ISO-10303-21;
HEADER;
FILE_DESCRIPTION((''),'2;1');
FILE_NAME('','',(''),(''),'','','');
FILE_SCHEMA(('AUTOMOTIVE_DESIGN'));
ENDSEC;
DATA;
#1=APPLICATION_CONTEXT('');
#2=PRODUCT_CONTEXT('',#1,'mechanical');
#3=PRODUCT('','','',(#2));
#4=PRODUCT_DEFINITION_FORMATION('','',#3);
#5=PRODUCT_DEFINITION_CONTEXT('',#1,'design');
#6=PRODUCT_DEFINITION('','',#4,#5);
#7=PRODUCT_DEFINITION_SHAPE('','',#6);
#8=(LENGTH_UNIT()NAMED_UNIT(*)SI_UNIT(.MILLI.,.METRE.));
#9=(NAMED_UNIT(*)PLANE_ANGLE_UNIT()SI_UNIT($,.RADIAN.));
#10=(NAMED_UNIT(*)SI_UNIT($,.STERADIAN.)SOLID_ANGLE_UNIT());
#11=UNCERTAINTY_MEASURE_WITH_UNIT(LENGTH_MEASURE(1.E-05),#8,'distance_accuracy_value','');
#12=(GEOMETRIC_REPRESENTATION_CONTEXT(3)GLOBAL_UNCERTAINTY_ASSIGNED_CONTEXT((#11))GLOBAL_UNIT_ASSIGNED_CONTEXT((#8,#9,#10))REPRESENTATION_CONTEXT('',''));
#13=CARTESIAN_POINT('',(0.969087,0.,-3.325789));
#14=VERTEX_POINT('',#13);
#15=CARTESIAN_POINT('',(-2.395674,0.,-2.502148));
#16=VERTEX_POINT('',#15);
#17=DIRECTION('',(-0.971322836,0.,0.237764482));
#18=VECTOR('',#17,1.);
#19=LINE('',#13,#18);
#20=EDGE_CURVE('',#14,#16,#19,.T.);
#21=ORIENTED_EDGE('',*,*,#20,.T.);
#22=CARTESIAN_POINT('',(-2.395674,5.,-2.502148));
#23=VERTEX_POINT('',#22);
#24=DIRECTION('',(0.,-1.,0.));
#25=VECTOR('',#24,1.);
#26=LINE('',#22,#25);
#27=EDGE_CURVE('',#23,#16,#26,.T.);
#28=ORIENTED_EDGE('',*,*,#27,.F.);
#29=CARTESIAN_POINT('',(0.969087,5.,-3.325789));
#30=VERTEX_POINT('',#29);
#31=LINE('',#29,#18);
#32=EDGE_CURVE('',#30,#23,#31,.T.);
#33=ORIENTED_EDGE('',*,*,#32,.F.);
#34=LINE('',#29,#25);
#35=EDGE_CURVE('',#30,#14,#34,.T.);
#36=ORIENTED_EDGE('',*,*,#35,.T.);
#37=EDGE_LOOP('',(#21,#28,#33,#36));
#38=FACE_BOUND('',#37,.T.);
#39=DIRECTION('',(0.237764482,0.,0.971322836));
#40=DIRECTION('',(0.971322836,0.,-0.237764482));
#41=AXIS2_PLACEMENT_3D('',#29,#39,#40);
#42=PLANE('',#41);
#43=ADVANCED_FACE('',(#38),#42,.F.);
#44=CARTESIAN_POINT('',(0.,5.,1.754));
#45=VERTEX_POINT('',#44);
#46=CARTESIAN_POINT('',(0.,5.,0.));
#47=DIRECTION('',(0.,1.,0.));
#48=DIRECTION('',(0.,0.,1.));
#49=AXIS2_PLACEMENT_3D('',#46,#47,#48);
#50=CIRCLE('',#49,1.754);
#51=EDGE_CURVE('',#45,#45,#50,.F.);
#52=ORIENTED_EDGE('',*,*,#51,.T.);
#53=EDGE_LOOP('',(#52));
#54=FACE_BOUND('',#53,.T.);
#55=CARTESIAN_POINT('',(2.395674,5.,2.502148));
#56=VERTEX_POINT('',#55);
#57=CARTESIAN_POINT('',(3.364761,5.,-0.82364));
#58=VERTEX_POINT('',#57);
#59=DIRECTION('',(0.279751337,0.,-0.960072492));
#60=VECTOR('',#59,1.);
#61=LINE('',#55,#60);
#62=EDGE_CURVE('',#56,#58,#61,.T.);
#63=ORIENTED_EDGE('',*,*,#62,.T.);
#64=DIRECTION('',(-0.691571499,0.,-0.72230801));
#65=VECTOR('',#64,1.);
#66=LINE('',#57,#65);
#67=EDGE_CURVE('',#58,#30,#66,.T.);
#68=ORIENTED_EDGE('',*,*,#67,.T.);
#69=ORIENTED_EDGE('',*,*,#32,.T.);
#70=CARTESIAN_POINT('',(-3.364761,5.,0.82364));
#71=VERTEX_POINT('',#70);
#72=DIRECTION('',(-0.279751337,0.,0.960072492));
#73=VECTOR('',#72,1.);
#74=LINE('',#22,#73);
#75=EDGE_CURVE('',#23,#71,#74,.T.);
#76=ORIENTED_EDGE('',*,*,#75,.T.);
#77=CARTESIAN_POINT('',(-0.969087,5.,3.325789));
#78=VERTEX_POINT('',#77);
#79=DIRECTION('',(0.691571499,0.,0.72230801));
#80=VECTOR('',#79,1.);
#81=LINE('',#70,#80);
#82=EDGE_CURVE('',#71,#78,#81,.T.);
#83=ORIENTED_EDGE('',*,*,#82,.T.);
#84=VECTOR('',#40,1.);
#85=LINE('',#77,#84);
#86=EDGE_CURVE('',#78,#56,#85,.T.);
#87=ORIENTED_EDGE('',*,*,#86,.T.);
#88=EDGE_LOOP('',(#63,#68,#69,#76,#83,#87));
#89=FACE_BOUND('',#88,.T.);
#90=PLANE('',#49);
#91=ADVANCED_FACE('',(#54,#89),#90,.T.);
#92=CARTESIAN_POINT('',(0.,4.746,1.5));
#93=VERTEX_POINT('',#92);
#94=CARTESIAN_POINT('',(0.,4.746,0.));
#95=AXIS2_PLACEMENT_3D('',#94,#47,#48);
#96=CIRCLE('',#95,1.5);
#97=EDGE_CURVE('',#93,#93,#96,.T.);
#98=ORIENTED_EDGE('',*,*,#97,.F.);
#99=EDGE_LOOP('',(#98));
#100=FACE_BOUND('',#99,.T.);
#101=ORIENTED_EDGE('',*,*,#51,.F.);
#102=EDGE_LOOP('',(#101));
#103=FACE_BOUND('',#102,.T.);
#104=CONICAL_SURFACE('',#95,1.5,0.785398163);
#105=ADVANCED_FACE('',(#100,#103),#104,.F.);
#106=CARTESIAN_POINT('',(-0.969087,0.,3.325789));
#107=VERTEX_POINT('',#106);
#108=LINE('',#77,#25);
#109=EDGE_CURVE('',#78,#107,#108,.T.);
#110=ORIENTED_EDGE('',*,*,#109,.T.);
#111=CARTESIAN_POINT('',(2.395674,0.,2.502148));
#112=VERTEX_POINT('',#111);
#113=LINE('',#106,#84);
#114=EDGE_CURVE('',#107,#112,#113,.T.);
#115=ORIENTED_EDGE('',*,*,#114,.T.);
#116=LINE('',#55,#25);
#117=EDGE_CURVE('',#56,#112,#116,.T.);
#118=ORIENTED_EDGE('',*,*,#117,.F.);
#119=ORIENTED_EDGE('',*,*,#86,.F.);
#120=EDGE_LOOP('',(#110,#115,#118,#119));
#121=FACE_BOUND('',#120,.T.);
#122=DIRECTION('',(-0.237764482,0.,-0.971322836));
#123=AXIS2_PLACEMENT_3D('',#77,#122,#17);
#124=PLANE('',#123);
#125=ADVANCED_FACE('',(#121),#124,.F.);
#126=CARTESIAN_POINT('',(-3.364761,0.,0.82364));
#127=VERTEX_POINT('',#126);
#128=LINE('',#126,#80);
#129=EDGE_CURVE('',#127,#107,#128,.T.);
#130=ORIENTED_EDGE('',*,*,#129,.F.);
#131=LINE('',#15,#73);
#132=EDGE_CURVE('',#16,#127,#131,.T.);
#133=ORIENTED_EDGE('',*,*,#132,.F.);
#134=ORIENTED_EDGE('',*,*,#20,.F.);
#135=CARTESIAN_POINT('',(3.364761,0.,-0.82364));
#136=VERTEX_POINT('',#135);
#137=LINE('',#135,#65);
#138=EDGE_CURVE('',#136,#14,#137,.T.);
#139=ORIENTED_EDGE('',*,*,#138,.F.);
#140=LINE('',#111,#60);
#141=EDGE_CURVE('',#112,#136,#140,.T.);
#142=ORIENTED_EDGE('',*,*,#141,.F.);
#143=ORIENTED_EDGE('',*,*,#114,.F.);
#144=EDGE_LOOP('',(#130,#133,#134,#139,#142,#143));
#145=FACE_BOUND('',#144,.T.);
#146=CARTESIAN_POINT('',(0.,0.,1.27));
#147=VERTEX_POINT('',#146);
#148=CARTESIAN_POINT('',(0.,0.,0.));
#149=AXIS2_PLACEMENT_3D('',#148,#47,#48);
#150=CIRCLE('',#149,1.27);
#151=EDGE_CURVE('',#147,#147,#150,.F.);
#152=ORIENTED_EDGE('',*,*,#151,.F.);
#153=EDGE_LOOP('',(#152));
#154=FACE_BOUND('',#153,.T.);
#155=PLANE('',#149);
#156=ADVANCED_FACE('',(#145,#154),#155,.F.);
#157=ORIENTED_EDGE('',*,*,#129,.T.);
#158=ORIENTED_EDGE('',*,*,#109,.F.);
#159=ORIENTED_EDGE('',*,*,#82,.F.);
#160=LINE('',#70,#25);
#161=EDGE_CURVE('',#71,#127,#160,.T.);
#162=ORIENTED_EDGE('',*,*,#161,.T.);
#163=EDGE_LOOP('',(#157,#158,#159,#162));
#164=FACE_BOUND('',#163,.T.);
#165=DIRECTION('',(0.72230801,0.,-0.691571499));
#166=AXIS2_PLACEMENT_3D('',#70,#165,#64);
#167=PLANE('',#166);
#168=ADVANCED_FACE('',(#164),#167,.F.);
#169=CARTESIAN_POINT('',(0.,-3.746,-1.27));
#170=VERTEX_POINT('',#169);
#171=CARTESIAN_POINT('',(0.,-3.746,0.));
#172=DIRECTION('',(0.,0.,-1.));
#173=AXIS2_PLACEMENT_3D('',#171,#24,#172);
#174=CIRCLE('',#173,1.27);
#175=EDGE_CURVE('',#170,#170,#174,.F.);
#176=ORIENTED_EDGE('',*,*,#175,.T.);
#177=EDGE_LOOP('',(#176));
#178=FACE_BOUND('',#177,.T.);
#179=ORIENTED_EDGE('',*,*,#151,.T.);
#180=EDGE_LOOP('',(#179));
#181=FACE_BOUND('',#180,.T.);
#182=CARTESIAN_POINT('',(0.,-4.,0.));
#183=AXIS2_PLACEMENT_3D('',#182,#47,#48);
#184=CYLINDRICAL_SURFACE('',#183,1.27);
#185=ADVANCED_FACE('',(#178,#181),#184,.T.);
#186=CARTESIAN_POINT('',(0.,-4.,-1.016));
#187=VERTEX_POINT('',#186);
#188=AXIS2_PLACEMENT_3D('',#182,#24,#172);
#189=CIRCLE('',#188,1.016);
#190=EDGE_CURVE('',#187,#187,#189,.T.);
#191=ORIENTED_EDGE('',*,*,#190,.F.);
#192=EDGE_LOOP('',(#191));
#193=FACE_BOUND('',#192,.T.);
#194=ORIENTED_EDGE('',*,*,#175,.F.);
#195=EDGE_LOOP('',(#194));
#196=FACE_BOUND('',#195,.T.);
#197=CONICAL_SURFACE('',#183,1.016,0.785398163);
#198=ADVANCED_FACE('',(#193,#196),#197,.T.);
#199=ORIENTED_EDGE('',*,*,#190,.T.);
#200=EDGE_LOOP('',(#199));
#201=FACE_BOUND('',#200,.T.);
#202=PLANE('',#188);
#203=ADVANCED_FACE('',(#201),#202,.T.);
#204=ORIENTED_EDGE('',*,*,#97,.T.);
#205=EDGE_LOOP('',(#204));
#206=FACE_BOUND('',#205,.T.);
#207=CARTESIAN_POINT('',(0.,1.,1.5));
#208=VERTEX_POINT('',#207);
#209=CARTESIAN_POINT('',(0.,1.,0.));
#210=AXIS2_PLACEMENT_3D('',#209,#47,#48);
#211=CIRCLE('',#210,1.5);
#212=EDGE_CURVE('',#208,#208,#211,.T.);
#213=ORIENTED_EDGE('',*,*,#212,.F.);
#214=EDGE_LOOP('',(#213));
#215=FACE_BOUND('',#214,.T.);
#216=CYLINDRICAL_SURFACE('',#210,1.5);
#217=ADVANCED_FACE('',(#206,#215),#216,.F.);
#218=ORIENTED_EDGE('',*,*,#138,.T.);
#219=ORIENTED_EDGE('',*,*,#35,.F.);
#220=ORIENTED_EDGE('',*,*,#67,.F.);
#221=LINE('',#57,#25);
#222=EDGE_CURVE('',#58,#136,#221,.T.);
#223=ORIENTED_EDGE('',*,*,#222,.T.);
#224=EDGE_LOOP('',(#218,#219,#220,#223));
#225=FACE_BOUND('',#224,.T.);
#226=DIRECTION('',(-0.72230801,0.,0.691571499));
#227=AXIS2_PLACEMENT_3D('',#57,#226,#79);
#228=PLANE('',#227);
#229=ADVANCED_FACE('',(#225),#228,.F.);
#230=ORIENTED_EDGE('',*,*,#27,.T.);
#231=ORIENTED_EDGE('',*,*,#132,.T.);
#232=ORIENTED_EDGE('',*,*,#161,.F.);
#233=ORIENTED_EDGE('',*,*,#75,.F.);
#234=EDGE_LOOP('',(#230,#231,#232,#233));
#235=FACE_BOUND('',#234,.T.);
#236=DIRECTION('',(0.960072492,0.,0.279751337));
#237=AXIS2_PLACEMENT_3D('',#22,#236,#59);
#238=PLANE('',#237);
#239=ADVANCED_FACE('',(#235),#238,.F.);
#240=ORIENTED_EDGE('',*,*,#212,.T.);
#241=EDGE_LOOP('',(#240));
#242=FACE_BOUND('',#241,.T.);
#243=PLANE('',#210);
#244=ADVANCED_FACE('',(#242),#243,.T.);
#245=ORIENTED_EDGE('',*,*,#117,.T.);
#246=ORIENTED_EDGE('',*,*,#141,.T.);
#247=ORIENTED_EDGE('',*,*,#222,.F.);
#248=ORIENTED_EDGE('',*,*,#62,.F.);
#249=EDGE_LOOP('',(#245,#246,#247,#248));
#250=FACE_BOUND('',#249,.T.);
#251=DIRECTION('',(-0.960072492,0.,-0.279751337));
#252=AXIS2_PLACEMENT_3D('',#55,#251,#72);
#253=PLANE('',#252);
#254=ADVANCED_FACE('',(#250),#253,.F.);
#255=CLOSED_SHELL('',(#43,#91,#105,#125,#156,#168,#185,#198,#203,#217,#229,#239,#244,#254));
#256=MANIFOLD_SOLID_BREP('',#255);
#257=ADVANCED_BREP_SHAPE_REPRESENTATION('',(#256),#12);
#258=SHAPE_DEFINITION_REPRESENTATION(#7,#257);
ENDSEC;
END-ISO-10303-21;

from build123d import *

# Parameters (mm, degrees)
BOSS_EXTRUDE1_DEPTH = 5
SKETCH2_R           = 1.5
CUT_EXTRUDE1_DEPTH  = 4
SKETCH3_R           = 1.27
BOSS_EXTRUDE2_DEPTH = 4
CHAMFER1_SIZE       = 0.254
CHAMFER2_SIZE       = 0.254


with BuildPart() as part:
    # Sketch1 → Boss-Extrude1 (new body)
    with BuildSketch(Plane(origin=(0, 0, 0), x_dir=(1, 0, 0), z_dir=(0, 1, 0))):
        Polygon((2.395673947, -2.502148345), (3.364761004, 0.823640325), (0.969087057, 3.32578867), (-2.395673947, 2.502148345), (-3.364761004, -0.823640325), (-0.969087057, -3.32578867), align=None)
    extrude(amount=BOSS_EXTRUDE1_DEPTH)

    # Sketch2 → Cut-Extrude1 (cut)
    with BuildSketch(Plane(origin=(0, 5, 0), x_dir=(1, 0, 0), z_dir=(0, 1, 0))):
        with Locations(Location((0, 0, 0), (0, 0, 270))):
            Circle(SKETCH2_R)
    extrude(amount=-CUT_EXTRUDE1_DEPTH, mode=Mode.SUBTRACT)

    # Sketch3 → Boss-Extrude2 (add)
    with BuildSketch(Plane.XZ):
        with Locations(Location((0, 0, 0), (0, 0, 90))):
            Circle(SKETCH3_R)
    extrude(amount=BOSS_EXTRUDE2_DEPTH)

    # Chamfer1
    chamfer1_edges = [part.edges().sort_by_distance(p)[0] for p in [
        (0, -4, -1.27),
    ]]
    chamfer(chamfer1_edges, length=CHAMFER1_SIZE)

    # Chamfer2
    chamfer2_edges = [part.edges().sort_by_distance(p)[0] for p in [
        (0, 5, -1.5),
    ]]
    chamfer(chamfer2_edges, length=CHAMFER2_SIZE)


solid = part.part
